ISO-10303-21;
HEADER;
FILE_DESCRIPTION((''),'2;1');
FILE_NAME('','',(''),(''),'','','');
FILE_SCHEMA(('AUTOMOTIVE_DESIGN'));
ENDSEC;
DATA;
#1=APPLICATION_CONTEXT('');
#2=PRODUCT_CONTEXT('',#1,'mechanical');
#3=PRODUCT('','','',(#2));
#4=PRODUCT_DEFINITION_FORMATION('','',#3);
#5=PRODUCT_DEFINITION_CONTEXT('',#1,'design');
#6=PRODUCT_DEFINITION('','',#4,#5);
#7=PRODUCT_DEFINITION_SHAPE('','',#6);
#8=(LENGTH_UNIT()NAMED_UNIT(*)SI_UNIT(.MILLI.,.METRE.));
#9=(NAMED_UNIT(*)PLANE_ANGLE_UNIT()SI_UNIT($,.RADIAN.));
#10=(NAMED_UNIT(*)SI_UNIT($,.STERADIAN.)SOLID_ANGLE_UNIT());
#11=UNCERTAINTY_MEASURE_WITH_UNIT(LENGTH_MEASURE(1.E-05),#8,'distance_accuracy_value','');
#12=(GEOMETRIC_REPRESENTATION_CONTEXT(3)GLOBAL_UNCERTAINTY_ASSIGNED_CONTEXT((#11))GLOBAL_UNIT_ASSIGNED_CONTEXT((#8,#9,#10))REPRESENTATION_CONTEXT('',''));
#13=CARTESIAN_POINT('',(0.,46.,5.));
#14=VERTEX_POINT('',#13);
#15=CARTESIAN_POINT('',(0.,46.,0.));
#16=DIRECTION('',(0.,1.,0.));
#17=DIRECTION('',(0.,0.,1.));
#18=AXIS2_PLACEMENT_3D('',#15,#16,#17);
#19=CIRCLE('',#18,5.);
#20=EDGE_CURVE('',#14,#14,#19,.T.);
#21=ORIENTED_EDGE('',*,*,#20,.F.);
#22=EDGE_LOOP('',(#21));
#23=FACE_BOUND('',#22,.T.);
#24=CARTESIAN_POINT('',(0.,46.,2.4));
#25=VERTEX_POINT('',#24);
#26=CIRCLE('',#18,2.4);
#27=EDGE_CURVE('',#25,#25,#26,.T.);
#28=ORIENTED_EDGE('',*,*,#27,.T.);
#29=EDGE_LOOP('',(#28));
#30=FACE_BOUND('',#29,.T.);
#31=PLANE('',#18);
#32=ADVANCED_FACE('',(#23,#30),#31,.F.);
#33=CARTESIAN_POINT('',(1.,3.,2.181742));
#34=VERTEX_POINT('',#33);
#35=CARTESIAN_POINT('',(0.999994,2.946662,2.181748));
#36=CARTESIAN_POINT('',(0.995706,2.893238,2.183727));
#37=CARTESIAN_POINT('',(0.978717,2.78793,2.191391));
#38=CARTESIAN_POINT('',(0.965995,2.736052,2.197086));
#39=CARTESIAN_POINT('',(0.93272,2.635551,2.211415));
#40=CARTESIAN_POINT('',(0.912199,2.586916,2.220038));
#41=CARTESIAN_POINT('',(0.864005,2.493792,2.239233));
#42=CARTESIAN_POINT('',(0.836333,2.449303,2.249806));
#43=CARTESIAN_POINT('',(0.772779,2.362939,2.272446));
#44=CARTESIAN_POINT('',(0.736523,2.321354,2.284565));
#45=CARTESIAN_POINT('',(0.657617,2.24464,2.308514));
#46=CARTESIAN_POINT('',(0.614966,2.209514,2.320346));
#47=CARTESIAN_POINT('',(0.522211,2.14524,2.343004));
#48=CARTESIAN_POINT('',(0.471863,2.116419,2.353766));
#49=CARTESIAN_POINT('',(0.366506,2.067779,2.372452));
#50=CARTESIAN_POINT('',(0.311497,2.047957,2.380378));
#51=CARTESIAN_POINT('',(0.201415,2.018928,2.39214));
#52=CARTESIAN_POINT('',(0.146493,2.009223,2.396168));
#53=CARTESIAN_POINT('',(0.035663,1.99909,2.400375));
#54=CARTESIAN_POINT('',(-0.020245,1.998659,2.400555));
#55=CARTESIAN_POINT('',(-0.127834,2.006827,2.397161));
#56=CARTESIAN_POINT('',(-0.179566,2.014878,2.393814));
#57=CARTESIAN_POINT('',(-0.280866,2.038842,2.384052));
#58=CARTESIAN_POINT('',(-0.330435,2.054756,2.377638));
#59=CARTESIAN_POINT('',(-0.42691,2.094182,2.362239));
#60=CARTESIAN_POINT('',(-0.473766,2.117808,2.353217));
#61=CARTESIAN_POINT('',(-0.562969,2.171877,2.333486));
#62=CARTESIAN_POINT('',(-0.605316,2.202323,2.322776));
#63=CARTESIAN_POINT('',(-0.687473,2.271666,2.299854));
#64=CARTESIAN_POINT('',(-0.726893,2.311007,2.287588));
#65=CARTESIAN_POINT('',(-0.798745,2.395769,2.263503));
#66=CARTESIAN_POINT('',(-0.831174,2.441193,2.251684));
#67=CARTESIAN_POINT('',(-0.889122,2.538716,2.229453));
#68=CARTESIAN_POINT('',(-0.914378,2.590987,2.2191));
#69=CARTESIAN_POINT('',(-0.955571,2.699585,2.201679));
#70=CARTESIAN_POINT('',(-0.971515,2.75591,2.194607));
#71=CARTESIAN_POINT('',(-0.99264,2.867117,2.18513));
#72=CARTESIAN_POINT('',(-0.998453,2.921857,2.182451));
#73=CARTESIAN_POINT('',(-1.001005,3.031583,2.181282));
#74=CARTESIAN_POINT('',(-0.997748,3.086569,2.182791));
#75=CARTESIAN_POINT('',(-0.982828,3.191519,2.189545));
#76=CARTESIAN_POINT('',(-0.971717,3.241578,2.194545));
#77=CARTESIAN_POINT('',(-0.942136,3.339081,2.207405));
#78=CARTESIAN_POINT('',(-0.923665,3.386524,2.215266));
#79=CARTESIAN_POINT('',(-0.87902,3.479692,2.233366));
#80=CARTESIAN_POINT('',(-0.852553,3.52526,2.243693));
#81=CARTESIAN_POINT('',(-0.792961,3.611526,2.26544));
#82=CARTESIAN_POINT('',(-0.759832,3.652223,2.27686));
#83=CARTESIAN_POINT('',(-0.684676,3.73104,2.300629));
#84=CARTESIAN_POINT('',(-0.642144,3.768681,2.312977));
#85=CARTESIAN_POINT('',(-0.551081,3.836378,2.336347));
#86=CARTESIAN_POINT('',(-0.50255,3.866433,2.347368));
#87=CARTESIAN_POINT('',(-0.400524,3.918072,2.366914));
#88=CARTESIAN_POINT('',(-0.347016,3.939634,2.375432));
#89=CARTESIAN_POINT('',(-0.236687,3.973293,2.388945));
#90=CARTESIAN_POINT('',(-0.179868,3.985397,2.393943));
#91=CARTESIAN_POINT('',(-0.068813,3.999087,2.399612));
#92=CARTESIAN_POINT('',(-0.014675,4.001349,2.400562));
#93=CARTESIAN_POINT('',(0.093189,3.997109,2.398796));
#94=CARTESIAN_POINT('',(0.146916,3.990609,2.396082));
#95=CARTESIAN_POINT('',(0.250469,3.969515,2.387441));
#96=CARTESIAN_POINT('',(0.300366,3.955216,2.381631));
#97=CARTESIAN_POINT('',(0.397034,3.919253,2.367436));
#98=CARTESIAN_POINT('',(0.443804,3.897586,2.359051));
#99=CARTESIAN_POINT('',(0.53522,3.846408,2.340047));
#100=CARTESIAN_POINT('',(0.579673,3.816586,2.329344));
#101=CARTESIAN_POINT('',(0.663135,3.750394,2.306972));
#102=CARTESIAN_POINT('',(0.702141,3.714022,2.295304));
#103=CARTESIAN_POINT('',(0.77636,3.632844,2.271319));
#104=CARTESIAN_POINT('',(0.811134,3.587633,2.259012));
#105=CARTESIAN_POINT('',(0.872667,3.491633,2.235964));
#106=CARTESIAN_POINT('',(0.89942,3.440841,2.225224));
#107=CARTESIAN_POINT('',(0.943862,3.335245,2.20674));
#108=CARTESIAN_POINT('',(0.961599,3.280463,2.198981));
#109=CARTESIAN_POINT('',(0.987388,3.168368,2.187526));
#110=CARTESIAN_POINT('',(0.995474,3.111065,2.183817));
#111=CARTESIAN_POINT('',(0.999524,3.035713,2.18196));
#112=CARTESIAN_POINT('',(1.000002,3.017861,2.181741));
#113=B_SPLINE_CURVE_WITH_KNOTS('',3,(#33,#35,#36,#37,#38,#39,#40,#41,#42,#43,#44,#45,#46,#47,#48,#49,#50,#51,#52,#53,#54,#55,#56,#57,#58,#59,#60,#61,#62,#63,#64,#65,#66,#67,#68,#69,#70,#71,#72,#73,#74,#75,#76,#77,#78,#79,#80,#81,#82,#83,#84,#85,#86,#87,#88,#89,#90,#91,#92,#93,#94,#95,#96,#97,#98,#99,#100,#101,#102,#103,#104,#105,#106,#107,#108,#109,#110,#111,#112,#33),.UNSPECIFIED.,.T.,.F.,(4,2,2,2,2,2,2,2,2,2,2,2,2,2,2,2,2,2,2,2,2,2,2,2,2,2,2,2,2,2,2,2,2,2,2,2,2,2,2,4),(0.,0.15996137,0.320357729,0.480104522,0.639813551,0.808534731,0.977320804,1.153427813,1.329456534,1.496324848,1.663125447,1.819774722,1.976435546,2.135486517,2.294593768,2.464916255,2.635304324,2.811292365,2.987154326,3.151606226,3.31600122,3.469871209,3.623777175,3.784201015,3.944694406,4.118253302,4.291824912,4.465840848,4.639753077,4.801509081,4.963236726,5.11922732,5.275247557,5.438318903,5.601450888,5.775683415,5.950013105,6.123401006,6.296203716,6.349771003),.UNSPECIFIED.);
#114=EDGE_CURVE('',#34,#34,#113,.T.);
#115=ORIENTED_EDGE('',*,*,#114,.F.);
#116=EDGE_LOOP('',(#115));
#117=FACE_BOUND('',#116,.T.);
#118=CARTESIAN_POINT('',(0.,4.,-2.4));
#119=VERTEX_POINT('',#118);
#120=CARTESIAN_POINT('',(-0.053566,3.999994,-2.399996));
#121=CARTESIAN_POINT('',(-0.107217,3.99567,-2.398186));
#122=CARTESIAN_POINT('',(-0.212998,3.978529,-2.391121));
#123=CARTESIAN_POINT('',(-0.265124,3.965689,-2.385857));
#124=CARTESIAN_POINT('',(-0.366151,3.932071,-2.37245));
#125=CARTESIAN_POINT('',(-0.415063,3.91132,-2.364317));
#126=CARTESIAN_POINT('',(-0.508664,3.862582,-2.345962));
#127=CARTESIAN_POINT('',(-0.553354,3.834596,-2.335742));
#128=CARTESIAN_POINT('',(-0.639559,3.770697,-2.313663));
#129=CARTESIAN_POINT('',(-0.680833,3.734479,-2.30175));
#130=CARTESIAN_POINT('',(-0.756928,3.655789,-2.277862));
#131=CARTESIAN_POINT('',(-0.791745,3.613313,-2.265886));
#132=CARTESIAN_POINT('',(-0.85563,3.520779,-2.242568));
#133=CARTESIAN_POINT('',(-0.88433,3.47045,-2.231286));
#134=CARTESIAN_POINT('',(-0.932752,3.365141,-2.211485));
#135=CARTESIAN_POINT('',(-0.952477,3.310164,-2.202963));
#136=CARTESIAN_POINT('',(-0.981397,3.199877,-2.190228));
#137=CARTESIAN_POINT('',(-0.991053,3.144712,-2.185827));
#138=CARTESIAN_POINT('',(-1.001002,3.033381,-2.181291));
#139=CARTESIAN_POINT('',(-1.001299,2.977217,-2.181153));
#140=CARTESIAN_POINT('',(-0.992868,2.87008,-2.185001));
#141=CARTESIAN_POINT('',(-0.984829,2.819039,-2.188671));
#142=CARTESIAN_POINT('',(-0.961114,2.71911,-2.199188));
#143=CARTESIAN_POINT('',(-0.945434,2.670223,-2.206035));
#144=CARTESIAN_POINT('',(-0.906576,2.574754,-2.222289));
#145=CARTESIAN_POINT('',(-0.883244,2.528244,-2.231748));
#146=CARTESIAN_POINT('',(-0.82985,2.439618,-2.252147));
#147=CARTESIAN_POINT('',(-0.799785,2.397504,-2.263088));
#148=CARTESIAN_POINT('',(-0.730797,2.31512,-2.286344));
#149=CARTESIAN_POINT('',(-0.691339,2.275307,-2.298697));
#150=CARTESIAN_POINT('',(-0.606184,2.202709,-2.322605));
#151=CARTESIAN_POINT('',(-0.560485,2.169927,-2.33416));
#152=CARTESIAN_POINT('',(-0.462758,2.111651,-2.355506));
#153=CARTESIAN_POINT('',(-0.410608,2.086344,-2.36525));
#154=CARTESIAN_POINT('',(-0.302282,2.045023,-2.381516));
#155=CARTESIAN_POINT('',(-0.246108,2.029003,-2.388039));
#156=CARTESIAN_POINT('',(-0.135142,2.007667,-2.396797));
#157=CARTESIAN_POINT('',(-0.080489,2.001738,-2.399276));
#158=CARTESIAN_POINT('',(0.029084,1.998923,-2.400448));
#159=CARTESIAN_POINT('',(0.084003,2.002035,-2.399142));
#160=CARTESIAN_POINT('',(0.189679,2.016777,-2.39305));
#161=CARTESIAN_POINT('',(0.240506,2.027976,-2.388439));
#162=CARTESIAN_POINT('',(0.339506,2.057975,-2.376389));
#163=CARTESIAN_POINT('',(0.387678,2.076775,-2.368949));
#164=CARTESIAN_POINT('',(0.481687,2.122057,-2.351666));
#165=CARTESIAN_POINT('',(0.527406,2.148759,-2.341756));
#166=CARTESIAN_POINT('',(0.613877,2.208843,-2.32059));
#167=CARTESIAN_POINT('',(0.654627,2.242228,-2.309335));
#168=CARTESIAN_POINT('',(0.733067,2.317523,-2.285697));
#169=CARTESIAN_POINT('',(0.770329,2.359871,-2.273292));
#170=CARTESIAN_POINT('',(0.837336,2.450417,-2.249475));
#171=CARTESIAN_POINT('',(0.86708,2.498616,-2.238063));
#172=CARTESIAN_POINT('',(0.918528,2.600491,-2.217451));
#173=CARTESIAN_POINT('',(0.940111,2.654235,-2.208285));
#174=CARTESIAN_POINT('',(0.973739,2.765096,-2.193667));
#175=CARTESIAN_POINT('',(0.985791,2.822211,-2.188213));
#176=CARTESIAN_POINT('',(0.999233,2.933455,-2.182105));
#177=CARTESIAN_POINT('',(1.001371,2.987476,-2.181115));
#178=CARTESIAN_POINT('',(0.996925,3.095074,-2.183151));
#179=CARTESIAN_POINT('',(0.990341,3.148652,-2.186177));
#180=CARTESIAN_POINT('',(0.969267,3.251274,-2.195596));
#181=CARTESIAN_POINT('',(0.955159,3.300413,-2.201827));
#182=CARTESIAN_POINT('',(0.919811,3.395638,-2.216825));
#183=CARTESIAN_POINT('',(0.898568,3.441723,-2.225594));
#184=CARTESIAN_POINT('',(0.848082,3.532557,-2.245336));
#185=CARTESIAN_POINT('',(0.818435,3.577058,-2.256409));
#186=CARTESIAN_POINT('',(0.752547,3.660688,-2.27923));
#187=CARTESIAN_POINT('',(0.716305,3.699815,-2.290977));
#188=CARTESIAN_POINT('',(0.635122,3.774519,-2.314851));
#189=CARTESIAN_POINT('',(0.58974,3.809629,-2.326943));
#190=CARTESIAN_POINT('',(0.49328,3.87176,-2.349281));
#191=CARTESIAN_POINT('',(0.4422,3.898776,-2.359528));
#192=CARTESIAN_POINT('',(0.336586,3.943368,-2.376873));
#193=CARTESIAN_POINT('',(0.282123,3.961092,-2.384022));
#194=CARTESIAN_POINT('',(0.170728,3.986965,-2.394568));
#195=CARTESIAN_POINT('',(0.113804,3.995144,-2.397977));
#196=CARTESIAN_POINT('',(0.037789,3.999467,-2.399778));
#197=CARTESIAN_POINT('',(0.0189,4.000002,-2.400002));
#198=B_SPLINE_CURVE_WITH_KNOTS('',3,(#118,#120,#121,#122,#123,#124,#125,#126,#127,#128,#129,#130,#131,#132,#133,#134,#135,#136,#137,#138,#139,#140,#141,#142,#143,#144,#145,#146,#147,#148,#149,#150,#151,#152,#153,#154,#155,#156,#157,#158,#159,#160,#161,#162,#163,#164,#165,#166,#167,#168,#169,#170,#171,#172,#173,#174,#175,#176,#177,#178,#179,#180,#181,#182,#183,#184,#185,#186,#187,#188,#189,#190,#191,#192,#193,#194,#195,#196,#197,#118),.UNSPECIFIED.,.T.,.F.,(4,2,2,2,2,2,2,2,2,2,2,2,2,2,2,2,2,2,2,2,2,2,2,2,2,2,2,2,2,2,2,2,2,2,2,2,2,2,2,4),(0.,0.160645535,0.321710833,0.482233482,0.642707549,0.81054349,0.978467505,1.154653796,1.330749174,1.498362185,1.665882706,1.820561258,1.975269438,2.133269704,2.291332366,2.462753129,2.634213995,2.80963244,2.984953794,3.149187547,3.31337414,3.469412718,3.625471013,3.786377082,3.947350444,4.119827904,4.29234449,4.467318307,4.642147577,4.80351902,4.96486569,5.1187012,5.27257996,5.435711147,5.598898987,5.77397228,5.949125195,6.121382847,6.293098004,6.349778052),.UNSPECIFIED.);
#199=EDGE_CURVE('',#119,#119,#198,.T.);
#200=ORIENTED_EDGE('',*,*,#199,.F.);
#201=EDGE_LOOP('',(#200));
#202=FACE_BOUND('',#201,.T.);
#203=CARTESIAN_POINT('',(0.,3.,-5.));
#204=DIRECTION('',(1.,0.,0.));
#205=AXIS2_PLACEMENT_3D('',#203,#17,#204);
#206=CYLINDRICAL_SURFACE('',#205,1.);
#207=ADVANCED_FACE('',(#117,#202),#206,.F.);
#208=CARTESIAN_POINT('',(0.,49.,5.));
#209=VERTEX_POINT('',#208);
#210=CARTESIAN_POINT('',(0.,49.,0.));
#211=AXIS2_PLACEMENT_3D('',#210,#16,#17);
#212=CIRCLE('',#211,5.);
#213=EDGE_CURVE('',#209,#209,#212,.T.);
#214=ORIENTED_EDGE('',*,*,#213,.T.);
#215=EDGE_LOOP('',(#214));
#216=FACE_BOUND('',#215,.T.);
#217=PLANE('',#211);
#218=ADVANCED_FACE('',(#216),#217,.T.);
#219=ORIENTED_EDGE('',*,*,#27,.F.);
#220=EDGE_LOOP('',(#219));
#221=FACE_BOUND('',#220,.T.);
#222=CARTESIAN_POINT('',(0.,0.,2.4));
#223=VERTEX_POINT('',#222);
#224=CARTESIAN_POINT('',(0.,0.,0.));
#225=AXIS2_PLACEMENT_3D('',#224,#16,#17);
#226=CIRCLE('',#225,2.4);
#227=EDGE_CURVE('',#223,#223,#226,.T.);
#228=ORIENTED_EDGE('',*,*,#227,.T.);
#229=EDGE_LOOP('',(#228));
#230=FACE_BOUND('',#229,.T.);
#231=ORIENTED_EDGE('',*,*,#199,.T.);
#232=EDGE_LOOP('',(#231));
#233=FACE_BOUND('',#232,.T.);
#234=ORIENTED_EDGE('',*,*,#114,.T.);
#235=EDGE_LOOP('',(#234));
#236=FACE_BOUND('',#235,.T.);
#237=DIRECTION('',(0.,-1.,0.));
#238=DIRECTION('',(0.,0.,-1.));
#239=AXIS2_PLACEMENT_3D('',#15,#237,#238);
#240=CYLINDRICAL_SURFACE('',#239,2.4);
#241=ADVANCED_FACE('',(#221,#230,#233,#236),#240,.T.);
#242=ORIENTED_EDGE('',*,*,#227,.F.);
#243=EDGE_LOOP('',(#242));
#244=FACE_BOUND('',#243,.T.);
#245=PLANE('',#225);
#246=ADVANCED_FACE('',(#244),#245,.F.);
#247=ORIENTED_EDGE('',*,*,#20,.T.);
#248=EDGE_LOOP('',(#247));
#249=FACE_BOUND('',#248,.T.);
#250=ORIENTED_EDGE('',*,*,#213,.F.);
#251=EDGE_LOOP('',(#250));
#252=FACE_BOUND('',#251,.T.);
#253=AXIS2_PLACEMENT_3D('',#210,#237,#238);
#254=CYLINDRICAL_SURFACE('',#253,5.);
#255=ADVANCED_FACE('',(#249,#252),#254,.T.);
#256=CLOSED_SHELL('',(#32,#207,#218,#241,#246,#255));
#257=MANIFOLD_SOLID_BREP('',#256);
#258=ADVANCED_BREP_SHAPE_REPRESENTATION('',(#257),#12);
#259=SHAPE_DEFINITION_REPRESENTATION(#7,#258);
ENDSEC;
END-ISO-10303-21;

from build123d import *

# Parameters (mm, degrees)
SKETCH1_R               = 2.4
BOSS_EXTRUDE1_DEPTH     = 46
SKETCH2_R               = 5
BOSS_EXTRUDE2_DEPTH     = 3
CUT_EXTRUDE1_DEPTH      = 50.507575178
CUT_EXTRUDE1_DEPTH_BACK = 50.507575178
SKETCH3_R               = 1


with BuildPart() as part:
    # Sketch1 → Boss-Extrude1 (new body)
    with BuildSketch(Plane(origin=(0, 0, 0), x_dir=(1, 0, 0), z_dir=(0, 1, 0))):
        with Locations(Location((0, 0, 0), (0, 0, 270))):
            Circle(SKETCH1_R)
    extrude(amount=BOSS_EXTRUDE1_DEPTH)

    # Sketch2 → Boss-Extrude2 (add)
    with BuildSketch(Plane(origin=(0, 46, 0), x_dir=(1, 0, 0), z_dir=(0, 1, 0))):
        with Locations(Location((0, 0, 0), (0, 0, 270))):
            Circle(SKETCH2_R)
    extrude(amount=BOSS_EXTRUDE2_DEPTH)

    # Sketch3 → Cut-Extrude1 (cut, two sides: drawn at the far end of the back side and taken through both)
    with BuildSketch(Plane.XY.offset(-CUT_EXTRUDE1_DEPTH_BACK)):
        with Locations(Location((0, 3, 0), (0, 0, 90))):
            Circle(SKETCH3_R)
    extrude(amount=CUT_EXTRUDE1_DEPTH + CUT_EXTRUDE1_DEPTH_BACK, mode=Mode.SUBTRACT)


solid = part.part
